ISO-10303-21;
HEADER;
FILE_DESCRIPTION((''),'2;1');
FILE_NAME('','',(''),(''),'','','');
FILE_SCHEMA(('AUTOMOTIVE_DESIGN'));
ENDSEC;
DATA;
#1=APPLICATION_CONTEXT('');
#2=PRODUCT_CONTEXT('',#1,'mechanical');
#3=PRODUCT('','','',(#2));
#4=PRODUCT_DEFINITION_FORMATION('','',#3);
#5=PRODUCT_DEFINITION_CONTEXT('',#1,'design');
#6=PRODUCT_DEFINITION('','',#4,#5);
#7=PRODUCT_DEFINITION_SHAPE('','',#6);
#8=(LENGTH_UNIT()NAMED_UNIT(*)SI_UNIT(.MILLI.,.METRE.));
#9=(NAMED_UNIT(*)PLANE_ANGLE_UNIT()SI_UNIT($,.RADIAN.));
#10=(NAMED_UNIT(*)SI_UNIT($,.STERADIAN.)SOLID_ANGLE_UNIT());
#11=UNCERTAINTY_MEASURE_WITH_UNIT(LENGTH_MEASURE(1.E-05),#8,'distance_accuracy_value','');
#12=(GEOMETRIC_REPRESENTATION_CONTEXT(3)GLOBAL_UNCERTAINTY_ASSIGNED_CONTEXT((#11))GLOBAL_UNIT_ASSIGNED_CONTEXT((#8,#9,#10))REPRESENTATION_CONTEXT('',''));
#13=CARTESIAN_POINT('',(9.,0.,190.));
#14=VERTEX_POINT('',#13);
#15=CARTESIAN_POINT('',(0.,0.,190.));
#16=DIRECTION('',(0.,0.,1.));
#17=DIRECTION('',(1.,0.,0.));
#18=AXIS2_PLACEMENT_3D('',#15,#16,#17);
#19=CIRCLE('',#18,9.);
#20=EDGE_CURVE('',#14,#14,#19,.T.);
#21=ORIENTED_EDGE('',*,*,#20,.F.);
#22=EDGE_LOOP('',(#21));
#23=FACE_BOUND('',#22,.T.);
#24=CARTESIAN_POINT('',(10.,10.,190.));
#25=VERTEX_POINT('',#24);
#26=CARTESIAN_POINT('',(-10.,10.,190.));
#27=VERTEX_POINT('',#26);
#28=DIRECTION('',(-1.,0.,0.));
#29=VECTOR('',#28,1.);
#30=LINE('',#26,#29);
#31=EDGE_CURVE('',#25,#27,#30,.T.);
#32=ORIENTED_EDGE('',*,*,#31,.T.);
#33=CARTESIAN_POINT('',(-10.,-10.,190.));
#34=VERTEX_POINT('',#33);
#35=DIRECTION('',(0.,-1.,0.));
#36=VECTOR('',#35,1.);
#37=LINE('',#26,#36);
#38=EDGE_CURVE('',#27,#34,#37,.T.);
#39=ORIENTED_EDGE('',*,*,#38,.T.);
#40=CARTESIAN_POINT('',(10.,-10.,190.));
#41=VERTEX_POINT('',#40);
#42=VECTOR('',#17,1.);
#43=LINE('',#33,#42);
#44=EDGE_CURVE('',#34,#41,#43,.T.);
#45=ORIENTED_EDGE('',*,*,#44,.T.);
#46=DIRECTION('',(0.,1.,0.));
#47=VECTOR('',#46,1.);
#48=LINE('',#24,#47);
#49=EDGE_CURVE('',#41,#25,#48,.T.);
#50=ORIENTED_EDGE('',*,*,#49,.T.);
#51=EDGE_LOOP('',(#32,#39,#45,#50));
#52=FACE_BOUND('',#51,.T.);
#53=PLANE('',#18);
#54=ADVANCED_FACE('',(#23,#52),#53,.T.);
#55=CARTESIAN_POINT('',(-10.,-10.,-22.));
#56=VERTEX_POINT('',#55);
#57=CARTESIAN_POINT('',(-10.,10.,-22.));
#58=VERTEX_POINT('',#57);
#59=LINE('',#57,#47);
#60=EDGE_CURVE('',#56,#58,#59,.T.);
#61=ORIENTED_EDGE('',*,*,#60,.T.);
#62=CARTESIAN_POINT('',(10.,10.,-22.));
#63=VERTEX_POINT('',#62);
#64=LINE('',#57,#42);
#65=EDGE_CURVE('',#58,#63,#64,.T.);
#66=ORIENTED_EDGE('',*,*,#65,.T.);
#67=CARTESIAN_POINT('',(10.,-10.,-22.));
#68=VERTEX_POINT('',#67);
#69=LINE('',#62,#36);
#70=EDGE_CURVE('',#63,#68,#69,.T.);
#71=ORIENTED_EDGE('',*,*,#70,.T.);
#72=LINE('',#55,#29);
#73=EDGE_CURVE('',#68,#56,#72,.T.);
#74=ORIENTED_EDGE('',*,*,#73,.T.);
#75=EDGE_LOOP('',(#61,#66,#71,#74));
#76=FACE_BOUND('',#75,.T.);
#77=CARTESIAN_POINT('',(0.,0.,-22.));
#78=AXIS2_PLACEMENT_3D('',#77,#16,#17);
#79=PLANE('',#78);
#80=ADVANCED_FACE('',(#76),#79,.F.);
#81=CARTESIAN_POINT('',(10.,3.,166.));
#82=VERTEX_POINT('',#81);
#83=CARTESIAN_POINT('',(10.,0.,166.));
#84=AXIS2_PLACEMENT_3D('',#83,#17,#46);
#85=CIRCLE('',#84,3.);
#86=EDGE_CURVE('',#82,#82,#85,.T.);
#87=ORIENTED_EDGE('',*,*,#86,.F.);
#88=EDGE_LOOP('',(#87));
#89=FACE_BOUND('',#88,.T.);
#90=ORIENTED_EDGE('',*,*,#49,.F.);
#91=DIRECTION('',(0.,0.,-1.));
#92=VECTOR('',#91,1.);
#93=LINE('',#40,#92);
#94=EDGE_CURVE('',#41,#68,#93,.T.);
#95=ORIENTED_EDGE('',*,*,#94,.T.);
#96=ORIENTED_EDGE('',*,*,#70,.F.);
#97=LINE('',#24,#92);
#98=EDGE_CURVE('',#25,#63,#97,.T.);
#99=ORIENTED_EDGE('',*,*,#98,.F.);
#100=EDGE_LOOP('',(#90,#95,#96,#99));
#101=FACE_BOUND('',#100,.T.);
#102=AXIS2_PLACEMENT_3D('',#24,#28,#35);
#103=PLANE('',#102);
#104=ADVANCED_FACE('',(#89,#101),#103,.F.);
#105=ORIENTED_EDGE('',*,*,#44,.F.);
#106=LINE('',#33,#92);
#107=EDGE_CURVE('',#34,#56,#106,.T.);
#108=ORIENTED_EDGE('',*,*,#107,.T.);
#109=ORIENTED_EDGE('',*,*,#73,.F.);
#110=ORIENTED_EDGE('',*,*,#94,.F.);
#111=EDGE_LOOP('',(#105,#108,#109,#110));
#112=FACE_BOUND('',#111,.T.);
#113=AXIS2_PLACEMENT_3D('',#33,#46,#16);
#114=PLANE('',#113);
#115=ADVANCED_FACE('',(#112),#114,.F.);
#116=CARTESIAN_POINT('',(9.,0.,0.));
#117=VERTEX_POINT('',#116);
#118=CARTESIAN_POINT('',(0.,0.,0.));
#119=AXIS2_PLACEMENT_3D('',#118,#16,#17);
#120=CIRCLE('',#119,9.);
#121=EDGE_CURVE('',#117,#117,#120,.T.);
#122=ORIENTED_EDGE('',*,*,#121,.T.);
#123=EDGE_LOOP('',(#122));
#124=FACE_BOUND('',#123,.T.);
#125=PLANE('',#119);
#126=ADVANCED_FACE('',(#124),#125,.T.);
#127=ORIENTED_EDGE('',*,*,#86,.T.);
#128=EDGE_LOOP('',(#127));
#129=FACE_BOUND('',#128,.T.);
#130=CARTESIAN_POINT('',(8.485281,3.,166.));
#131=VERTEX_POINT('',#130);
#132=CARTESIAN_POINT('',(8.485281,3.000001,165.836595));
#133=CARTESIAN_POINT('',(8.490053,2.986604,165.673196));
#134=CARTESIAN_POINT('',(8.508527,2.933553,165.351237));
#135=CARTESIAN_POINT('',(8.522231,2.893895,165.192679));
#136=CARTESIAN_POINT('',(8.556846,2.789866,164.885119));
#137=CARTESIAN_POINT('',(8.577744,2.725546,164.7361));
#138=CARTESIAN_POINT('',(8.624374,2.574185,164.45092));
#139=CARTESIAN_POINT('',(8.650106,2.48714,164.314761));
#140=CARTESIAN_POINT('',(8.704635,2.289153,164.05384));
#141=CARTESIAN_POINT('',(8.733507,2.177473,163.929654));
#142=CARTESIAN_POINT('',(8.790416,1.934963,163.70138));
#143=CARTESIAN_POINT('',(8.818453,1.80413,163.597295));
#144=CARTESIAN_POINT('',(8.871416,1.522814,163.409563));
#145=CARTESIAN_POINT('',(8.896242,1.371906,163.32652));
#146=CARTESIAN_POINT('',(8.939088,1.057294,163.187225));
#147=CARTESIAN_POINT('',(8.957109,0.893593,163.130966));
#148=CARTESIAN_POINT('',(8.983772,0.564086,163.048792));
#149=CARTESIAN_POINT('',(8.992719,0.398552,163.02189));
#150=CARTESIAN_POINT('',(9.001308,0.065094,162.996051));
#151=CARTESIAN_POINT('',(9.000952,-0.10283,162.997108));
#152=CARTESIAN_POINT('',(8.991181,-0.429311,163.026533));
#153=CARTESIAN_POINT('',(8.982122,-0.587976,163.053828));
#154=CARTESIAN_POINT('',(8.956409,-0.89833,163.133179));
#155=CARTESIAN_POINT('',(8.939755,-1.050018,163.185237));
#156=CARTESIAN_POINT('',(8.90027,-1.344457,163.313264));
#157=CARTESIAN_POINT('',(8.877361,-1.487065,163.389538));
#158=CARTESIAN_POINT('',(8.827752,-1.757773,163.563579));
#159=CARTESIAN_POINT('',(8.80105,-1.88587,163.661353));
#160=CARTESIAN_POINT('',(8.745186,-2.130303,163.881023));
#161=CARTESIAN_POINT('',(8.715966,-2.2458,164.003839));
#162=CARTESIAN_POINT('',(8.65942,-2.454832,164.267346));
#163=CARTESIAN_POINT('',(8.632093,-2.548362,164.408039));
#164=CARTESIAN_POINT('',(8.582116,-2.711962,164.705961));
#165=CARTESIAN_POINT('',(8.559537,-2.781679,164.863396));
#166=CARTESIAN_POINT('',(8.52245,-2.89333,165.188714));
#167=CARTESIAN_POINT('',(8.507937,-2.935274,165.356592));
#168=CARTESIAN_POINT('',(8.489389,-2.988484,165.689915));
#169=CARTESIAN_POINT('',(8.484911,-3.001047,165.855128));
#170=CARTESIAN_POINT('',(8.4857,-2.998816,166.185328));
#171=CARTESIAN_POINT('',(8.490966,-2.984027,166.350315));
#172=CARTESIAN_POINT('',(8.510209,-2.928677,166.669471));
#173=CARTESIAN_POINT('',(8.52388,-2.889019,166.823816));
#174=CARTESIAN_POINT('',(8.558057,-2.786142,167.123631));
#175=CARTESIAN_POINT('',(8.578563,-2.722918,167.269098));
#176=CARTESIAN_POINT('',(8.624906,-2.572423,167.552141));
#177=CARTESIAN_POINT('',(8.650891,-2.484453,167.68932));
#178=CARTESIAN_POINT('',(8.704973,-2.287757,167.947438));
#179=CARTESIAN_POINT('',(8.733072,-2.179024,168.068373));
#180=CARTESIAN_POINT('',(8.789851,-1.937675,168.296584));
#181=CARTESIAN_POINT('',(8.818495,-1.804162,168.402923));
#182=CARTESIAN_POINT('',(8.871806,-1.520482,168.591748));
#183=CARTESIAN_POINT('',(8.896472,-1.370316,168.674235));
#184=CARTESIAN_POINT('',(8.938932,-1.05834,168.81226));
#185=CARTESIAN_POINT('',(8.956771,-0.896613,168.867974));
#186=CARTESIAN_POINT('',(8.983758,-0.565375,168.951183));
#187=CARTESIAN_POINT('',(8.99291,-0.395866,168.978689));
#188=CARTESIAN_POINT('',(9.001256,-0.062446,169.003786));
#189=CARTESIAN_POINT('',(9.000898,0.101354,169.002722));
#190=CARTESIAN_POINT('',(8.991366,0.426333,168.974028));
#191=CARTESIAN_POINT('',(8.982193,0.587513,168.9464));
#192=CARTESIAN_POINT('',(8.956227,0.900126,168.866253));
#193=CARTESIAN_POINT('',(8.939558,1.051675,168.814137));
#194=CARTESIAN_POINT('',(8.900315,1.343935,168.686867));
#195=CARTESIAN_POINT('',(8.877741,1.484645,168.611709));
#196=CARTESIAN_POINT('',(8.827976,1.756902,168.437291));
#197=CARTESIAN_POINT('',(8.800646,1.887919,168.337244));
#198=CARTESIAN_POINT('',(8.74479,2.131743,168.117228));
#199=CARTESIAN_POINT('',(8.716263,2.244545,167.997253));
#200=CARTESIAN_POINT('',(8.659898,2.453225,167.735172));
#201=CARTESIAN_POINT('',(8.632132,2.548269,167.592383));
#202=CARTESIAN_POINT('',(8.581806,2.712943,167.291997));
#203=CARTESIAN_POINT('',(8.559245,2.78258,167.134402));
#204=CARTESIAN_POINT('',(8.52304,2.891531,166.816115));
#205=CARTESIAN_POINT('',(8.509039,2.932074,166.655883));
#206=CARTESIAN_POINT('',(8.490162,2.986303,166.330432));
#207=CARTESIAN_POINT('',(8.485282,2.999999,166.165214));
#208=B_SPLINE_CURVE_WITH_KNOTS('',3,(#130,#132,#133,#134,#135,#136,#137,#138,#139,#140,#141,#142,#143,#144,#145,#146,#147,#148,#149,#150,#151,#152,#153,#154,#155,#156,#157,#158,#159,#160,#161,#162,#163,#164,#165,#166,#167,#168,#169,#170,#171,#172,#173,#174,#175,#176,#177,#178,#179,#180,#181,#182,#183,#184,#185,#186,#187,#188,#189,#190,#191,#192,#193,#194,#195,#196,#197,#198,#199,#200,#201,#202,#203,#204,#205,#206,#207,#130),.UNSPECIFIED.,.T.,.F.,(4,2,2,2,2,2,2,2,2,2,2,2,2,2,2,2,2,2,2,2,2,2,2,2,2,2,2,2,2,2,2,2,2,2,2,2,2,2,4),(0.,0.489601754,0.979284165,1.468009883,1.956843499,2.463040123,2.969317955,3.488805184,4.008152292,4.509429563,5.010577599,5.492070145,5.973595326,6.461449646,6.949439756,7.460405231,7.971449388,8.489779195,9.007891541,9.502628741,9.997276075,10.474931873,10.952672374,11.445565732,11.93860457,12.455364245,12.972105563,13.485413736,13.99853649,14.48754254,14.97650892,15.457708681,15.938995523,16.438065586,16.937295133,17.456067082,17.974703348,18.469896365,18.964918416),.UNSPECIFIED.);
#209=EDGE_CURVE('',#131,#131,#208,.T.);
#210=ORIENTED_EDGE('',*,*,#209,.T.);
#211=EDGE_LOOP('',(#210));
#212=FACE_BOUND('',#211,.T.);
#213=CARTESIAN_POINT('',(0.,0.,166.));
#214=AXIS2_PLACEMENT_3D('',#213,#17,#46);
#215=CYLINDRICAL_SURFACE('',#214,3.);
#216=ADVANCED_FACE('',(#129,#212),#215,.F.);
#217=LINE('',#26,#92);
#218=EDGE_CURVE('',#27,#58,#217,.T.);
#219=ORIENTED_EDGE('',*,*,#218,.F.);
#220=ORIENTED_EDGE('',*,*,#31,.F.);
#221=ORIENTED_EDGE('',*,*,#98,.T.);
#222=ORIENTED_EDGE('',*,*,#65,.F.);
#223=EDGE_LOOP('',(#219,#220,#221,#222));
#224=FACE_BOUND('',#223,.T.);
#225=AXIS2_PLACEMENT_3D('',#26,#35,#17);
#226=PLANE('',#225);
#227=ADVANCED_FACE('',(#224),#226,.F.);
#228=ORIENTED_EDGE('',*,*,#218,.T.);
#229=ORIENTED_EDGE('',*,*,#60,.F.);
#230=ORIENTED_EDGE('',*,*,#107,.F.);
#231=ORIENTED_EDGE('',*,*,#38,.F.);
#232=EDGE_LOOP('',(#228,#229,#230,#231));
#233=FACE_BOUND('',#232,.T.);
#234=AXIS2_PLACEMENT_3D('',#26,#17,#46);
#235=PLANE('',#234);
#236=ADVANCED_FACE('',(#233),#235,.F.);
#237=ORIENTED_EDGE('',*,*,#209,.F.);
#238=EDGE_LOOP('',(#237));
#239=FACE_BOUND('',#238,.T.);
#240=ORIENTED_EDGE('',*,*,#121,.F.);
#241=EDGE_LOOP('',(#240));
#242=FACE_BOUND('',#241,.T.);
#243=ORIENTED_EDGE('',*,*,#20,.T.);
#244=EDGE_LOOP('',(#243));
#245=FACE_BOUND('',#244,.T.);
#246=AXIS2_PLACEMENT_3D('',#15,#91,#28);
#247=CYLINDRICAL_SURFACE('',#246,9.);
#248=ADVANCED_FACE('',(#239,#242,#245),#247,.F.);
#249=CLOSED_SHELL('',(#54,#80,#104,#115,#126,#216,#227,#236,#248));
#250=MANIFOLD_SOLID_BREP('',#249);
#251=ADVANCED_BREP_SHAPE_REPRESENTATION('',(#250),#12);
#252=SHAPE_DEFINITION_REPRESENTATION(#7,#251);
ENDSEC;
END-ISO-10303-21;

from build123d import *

# Parameters (mm, degrees)
SKETCH_1_W          = 20
SKETCH_1_H          = 20
SKETCH_1_R          = 9
EXTRUDE_1_DEPTH     = 190
SKETCH_2_W          = 20
SKETCH_2_H          = 20
EXTRUDE_2_DEPTH     = 22
SKETCH_4_R          = 3
CUT_EXTRUDE_2_DEPTH = 10


with BuildPart() as part:
    # 草图1 → 凸台-拉伸1 (new body)
    with BuildSketch(Plane.XY):
        Rectangle(SKETCH_1_W, SKETCH_1_H)
        Circle(SKETCH_1_R, mode=Mode.SUBTRACT)
    extrude(amount=EXTRUDE_1_DEPTH)

    # 草图2 → 凸台-拉伸2 (add)
    with BuildSketch(Plane(origin=(0, 0, 0), x_dir=(-1, 0, 0), z_dir=(0, 0, -1))):
        Rectangle(SKETCH_2_W, SKETCH_2_H)
    extrude(amount=EXTRUDE_2_DEPTH)

    # 草图4 → 切除-拉伸2 (cut)
    with BuildSketch(Plane(origin=(10, 0, 0), x_dir=(0, 0, -1), z_dir=(1, 0, 0))):
        with Locations((-166, 0)):
            Circle(SKETCH_4_R)
    extrude(amount=-CUT_EXTRUDE_2_DEPTH, mode=Mode.SUBTRACT)


solid = part.part
